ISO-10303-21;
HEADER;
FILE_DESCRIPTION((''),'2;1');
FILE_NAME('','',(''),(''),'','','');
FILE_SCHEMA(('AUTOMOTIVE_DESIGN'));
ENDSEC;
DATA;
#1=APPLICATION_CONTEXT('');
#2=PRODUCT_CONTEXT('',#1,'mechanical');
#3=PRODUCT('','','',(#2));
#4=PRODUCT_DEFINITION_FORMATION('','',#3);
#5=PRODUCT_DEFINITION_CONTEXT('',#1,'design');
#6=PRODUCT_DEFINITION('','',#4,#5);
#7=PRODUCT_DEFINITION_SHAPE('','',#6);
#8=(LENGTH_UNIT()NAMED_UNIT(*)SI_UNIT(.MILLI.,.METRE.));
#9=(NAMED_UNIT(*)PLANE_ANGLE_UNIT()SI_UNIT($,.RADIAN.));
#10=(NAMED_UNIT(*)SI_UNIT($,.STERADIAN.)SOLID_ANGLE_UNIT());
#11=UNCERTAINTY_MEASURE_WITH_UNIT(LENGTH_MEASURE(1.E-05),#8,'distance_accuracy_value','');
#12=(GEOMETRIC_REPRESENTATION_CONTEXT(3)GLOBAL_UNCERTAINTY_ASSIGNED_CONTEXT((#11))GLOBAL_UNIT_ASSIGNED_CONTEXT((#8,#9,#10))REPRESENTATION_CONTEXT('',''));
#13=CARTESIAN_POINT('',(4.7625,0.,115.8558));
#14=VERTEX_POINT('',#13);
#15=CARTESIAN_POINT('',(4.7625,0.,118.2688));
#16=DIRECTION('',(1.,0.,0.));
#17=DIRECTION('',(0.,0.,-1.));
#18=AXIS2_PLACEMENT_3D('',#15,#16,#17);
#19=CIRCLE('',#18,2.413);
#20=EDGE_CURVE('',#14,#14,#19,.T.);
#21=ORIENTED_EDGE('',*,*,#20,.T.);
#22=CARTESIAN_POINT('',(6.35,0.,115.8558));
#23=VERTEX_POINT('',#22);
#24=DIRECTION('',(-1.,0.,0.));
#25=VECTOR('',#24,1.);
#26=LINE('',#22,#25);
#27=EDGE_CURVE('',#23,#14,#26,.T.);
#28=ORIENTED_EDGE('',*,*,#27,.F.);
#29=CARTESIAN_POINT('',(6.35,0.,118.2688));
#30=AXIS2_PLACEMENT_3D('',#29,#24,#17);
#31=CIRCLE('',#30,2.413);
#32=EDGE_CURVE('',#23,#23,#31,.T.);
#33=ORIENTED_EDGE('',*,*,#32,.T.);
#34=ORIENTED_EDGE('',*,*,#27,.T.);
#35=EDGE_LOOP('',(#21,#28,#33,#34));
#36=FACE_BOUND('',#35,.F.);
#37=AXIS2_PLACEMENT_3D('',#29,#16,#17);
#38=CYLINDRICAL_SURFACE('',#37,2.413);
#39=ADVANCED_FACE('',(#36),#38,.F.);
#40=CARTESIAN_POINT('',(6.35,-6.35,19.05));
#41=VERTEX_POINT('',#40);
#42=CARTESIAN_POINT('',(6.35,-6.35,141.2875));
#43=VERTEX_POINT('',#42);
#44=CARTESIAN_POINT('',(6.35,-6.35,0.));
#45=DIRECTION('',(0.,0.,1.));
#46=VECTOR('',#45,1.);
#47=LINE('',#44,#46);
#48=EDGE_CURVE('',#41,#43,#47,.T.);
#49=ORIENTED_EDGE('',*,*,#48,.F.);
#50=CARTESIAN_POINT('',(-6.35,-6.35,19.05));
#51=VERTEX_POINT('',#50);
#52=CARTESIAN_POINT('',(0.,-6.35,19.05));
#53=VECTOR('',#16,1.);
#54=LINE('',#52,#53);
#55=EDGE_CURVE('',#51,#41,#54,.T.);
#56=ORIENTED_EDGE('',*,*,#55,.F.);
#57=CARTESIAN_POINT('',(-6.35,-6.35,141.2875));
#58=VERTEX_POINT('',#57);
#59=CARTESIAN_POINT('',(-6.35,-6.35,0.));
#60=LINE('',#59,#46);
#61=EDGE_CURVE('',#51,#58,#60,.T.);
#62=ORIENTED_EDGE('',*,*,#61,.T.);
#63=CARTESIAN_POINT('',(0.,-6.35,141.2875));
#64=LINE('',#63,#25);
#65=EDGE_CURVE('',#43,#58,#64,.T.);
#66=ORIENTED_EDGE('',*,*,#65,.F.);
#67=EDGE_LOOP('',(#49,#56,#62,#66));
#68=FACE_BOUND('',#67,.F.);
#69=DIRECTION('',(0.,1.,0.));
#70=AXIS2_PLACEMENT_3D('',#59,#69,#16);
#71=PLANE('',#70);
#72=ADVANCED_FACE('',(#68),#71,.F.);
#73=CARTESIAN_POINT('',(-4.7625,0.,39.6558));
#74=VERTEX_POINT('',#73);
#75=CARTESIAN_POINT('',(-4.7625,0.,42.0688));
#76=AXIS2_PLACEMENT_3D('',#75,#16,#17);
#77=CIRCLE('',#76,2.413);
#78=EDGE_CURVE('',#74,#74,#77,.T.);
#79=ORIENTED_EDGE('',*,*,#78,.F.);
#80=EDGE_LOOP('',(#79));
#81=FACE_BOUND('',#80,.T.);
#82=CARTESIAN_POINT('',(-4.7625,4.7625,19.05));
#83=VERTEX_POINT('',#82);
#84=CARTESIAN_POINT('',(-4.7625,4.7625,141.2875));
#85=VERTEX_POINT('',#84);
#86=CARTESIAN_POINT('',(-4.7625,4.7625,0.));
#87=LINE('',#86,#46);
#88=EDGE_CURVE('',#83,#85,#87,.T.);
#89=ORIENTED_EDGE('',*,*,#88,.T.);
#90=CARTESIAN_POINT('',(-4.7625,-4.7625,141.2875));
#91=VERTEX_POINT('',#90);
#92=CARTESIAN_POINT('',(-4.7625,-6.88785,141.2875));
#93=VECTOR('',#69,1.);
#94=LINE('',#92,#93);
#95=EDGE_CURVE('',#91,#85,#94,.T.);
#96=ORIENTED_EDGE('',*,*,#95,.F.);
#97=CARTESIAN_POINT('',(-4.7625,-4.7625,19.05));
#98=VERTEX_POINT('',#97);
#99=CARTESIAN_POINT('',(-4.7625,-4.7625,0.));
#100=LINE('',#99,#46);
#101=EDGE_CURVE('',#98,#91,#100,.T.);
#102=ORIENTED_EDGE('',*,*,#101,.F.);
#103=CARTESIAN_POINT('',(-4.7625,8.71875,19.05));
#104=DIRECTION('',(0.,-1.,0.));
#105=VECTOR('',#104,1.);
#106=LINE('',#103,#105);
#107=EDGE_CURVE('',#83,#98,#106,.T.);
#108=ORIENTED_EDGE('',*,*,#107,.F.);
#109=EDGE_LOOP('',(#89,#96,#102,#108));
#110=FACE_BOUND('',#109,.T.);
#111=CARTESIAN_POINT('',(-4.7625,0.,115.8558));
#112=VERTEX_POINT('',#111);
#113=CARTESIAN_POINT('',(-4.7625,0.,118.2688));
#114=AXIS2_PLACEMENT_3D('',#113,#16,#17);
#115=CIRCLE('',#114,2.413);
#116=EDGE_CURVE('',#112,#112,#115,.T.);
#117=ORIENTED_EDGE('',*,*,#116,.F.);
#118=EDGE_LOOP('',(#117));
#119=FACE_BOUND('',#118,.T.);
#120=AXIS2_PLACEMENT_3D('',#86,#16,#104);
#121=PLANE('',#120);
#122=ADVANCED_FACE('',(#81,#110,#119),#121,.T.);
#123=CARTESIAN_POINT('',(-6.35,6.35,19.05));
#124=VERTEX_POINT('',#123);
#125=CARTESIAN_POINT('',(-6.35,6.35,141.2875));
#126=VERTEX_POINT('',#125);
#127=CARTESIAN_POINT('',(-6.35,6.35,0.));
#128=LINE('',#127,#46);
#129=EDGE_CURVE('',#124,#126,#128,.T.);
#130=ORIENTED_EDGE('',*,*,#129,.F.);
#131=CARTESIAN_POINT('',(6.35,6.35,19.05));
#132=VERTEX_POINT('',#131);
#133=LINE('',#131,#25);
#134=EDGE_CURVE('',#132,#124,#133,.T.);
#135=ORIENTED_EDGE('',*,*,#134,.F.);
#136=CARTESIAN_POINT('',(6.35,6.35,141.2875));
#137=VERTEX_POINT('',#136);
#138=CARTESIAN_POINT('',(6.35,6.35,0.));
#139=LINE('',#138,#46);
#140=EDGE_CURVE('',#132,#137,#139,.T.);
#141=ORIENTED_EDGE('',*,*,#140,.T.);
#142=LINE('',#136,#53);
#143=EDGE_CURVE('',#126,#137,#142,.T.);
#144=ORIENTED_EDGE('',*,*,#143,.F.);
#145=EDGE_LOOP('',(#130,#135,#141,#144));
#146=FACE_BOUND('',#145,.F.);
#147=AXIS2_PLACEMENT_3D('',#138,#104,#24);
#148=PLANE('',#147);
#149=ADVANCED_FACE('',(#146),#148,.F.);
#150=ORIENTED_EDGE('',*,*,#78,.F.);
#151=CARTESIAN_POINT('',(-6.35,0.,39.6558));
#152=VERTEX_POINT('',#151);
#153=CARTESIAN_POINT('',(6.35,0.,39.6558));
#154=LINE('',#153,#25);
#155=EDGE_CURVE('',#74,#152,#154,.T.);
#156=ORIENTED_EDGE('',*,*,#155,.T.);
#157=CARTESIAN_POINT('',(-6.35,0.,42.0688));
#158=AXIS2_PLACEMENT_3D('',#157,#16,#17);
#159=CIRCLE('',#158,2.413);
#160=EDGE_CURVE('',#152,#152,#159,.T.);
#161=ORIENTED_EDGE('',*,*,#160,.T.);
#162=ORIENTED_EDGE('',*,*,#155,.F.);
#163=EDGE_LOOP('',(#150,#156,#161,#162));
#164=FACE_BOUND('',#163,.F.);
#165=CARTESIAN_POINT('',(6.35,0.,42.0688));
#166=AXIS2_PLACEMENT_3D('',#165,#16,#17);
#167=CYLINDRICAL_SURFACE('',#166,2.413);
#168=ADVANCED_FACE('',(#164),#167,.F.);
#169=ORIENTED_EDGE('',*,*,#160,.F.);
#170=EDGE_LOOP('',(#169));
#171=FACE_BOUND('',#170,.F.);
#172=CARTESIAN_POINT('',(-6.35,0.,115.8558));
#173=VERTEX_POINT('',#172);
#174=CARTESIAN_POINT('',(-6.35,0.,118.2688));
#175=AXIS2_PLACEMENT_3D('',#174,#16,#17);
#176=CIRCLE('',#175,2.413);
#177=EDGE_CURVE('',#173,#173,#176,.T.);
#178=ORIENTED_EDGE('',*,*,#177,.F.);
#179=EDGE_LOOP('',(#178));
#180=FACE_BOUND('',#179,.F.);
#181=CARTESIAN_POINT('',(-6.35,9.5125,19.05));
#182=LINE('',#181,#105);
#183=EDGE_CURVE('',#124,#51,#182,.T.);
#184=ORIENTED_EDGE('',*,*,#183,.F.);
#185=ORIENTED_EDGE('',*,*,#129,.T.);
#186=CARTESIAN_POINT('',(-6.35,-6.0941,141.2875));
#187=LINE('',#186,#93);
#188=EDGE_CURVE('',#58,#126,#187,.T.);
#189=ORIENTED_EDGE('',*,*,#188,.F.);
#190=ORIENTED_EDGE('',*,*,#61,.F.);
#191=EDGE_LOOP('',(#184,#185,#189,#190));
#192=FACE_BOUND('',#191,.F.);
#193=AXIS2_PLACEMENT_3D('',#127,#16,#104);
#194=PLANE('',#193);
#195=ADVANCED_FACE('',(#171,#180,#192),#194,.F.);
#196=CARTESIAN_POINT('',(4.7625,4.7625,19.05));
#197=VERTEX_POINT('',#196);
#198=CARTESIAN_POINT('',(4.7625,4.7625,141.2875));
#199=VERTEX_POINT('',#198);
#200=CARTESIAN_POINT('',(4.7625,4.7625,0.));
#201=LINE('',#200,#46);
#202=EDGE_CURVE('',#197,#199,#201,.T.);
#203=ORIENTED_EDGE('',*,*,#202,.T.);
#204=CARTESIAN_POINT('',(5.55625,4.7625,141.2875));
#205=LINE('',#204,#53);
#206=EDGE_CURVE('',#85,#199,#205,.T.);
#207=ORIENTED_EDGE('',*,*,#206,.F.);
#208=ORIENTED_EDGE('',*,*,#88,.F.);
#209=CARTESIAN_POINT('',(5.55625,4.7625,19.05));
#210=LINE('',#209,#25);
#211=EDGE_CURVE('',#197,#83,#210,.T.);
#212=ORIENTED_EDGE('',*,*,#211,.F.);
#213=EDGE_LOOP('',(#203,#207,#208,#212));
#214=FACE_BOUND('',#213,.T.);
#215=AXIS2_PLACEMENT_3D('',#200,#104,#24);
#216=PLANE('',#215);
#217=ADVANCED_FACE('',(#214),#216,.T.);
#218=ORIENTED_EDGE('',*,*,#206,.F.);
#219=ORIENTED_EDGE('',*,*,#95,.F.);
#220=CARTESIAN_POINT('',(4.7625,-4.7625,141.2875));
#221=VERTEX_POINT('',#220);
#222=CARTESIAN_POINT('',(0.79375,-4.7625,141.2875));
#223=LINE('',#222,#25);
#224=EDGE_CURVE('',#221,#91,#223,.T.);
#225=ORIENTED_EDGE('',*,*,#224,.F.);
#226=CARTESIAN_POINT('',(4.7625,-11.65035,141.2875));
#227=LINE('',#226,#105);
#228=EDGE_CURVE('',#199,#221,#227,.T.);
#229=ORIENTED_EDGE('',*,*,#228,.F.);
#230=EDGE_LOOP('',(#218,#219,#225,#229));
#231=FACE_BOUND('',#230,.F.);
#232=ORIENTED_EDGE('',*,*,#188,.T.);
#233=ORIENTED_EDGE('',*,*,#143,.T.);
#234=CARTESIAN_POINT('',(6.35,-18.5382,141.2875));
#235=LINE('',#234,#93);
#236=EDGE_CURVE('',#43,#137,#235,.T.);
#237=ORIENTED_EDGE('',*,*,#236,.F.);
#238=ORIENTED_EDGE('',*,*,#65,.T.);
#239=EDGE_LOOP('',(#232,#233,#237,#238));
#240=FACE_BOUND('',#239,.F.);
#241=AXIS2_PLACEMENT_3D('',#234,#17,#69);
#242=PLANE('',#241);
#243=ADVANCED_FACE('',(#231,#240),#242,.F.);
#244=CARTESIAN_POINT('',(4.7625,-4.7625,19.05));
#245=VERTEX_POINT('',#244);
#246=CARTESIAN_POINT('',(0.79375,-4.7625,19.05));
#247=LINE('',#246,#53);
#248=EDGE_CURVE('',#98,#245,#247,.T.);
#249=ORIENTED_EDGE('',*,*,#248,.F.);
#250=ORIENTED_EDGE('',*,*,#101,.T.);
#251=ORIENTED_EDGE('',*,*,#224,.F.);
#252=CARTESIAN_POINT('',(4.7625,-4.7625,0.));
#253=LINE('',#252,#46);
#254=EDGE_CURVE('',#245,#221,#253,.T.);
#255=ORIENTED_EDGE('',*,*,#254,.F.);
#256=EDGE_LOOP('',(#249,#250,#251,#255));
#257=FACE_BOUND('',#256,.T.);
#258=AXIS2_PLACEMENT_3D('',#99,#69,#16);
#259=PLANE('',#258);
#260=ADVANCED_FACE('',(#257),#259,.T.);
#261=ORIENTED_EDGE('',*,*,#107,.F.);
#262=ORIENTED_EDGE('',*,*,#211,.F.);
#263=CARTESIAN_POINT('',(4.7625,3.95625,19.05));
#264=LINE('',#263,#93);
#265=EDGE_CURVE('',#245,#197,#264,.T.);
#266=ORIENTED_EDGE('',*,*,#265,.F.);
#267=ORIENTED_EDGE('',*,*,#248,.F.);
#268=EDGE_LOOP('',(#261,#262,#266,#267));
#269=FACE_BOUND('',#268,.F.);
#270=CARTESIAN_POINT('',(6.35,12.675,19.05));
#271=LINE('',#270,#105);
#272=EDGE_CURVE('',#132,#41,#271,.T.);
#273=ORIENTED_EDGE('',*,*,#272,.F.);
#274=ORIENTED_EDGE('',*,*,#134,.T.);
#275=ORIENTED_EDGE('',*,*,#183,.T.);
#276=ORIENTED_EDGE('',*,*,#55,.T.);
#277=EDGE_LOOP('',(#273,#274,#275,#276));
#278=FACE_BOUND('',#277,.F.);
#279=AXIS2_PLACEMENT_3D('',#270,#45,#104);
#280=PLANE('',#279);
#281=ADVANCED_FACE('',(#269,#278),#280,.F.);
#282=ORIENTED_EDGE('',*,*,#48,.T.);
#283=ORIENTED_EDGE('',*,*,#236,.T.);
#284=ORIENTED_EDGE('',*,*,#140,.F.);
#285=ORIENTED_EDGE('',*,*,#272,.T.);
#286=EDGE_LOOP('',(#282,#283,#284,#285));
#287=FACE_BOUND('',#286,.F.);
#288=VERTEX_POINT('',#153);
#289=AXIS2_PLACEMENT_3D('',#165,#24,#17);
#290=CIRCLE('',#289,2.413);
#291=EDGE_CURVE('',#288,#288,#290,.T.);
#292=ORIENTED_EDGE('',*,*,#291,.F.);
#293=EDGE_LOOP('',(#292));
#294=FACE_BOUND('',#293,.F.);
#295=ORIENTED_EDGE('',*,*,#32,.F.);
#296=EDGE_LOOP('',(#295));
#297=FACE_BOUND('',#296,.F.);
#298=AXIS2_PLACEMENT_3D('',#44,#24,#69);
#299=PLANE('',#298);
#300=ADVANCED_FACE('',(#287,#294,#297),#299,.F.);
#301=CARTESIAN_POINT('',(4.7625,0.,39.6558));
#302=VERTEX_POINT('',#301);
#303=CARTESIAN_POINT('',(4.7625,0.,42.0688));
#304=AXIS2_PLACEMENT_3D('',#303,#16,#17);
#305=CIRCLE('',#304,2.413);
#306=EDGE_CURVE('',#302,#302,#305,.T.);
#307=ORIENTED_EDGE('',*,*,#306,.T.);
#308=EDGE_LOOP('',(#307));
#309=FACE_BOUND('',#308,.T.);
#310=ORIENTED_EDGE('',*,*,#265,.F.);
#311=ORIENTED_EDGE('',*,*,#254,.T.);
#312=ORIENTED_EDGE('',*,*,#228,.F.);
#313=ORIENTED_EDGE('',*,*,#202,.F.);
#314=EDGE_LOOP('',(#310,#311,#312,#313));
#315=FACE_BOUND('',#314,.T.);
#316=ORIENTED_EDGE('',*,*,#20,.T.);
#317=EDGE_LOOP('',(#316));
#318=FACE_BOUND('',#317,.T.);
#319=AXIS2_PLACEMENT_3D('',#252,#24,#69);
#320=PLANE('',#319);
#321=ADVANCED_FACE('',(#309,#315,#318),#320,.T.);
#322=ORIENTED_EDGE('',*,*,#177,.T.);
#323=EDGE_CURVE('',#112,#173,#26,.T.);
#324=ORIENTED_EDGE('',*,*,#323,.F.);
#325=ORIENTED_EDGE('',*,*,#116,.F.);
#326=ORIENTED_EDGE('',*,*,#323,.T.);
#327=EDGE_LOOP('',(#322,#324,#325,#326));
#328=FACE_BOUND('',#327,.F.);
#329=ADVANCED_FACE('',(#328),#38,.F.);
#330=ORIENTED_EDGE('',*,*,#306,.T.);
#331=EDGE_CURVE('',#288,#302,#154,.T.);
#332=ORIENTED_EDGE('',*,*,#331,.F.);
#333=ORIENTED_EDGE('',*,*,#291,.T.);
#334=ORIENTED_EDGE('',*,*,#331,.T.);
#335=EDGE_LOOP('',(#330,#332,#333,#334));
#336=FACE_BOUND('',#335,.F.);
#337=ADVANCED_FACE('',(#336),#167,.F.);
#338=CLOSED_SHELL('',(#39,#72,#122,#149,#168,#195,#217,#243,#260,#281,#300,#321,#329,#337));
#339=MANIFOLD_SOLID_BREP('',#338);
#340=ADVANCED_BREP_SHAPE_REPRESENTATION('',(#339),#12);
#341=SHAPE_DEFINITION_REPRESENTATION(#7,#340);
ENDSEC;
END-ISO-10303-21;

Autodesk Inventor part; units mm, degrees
ref_plane "YZ Plane" through (0, 0, 0) normal (1, 0, 0) x (0, 1, 0)
ref_plane "XZ Plane" through (0, 0, 0) normal (0, 1, 0) x (-1, 0, 0)
ref_plane "XY Plane" through (0, 0, 0) normal (0, 0, 1) x (1, 0, 0)
sketch "Sketch1" plane through (0, 0, 0) normal (0, 0, 1) x (1, 0, 0)
  line L0 (-6.35, -6.35) -> (6.35, -6.35)
  line L1 (6.35, -6.35) -> (6.35, 6.35)
  line L2 (6.35, 6.35) -> (-6.35, 6.35)
  line L3 (-6.35, 6.35) -> (-6.35, -6.35)
  line L4 (-6.35, -6.35) -> (6.35, 6.35) construction
  line L5 (6.35, -6.35) -> (-6.35, 6.35) construction
  line L6 (-4.7625, -4.7625) -> (4.7625, -4.7625)
  line L7 (4.7625, -4.7625) -> (4.7625, 4.7625)
  line L8 (4.7625, 4.7625) -> (-4.7625, 4.7625)
  line L9 (-4.7625, 4.7625) -> (-4.7625, -4.7625)
  line L10 (-4.7625, -4.7625) -> (4.7625, 4.7625) construction
  line L11 (4.7625, -4.7625) -> (-4.7625, 4.7625) construction
  point P0 (0, 0)
  dimension "d0" = 12.7
  dimension "d1" = 12.7
  dimension "d2" = 9.525
  dimension "d3" = 9.525
extrude "Extrusion1" add sketch "Sketch1" along normal blind 160.3375
sketch "Sketch2" plane through (6.35, -6.35, 0) normal (1, 0, 0) x (0, 0, -1)
  circle A0 centre (-118.2688, 6.35) radius 2.413
  circle A1 centre (-42.0688, 6.35) radius 2.413
  line L0 (0, 0) -> (0, 12.7) projected
  line L1 (-160.3375, 0) -> (-160.3375, 12.7) projected
  line L2 (0, 0) -> (-160.3375, 0) projected
  line L3 (-118.2688, 6.35) -> (-42.0688, 6.35)
  line L4 (-118.2688, 6.35) -> (-160.3375, 6.35)
  line L5 (-42.0688, 6.35) -> (0, 6.35)
  dimension "d6" = 4.826
  dimension "d7" = 4.826
  dimension "d10" = 76.2
extrude "Extrusion2" cut sketch "Sketch2" against normal blind 160.3375 contours L3 L4 A0 | A0 L4 L3 | L3 L5 A1 | A1 L5 L3
sketch "Sketch3" plane through (6.35, -6.35, 0) normal (1, 0, 0) x (0, 0, -1)
  line L0 (-160.3375, 0) -> (-160.3375, 12.7) projected
  line L1 (-179.3875, -12.1882) -> (-141.2875, -12.1882)
  line L2 (-141.2875, -12.1882) -> (-141.2875, 24.8882)
  line L3 (-141.2875, 24.8882) -> (-179.3875, 24.8882)
  line L4 (-179.3875, 24.8882) -> (-179.3875, -12.1882)
  line L5 (-179.3875, -12.1882) -> (-141.2875, 24.8882) construction
  line L6 (-141.2875, -12.1882) -> (-179.3875, 24.8882) construction
  line L7 (-19.05, -6.325) -> (19.05, -6.325)
  line L8 (19.05, -6.325) -> (19.05, 19.025)
  line L9 (19.05, 19.025) -> (-19.05, 19.025)
  line L10 (-19.05, 19.025) -> (-19.05, -6.325)
  line L11 (-19.05, -6.325) -> (19.05, 19.025) construction
  line L12 (19.05, -6.325) -> (-19.05, 19.025) construction
  point P0 (0, 6.35)
  point P1 (-160.3375, 6.35)
  dimension "d11" = 38.1
  dimension "d12" = 38.1
extrude "Extrusion3" cut sketch "Sketch3" against normal blind 160.3375
properties part number "box alluminum custom 6in" material "Aluminum 6061"
